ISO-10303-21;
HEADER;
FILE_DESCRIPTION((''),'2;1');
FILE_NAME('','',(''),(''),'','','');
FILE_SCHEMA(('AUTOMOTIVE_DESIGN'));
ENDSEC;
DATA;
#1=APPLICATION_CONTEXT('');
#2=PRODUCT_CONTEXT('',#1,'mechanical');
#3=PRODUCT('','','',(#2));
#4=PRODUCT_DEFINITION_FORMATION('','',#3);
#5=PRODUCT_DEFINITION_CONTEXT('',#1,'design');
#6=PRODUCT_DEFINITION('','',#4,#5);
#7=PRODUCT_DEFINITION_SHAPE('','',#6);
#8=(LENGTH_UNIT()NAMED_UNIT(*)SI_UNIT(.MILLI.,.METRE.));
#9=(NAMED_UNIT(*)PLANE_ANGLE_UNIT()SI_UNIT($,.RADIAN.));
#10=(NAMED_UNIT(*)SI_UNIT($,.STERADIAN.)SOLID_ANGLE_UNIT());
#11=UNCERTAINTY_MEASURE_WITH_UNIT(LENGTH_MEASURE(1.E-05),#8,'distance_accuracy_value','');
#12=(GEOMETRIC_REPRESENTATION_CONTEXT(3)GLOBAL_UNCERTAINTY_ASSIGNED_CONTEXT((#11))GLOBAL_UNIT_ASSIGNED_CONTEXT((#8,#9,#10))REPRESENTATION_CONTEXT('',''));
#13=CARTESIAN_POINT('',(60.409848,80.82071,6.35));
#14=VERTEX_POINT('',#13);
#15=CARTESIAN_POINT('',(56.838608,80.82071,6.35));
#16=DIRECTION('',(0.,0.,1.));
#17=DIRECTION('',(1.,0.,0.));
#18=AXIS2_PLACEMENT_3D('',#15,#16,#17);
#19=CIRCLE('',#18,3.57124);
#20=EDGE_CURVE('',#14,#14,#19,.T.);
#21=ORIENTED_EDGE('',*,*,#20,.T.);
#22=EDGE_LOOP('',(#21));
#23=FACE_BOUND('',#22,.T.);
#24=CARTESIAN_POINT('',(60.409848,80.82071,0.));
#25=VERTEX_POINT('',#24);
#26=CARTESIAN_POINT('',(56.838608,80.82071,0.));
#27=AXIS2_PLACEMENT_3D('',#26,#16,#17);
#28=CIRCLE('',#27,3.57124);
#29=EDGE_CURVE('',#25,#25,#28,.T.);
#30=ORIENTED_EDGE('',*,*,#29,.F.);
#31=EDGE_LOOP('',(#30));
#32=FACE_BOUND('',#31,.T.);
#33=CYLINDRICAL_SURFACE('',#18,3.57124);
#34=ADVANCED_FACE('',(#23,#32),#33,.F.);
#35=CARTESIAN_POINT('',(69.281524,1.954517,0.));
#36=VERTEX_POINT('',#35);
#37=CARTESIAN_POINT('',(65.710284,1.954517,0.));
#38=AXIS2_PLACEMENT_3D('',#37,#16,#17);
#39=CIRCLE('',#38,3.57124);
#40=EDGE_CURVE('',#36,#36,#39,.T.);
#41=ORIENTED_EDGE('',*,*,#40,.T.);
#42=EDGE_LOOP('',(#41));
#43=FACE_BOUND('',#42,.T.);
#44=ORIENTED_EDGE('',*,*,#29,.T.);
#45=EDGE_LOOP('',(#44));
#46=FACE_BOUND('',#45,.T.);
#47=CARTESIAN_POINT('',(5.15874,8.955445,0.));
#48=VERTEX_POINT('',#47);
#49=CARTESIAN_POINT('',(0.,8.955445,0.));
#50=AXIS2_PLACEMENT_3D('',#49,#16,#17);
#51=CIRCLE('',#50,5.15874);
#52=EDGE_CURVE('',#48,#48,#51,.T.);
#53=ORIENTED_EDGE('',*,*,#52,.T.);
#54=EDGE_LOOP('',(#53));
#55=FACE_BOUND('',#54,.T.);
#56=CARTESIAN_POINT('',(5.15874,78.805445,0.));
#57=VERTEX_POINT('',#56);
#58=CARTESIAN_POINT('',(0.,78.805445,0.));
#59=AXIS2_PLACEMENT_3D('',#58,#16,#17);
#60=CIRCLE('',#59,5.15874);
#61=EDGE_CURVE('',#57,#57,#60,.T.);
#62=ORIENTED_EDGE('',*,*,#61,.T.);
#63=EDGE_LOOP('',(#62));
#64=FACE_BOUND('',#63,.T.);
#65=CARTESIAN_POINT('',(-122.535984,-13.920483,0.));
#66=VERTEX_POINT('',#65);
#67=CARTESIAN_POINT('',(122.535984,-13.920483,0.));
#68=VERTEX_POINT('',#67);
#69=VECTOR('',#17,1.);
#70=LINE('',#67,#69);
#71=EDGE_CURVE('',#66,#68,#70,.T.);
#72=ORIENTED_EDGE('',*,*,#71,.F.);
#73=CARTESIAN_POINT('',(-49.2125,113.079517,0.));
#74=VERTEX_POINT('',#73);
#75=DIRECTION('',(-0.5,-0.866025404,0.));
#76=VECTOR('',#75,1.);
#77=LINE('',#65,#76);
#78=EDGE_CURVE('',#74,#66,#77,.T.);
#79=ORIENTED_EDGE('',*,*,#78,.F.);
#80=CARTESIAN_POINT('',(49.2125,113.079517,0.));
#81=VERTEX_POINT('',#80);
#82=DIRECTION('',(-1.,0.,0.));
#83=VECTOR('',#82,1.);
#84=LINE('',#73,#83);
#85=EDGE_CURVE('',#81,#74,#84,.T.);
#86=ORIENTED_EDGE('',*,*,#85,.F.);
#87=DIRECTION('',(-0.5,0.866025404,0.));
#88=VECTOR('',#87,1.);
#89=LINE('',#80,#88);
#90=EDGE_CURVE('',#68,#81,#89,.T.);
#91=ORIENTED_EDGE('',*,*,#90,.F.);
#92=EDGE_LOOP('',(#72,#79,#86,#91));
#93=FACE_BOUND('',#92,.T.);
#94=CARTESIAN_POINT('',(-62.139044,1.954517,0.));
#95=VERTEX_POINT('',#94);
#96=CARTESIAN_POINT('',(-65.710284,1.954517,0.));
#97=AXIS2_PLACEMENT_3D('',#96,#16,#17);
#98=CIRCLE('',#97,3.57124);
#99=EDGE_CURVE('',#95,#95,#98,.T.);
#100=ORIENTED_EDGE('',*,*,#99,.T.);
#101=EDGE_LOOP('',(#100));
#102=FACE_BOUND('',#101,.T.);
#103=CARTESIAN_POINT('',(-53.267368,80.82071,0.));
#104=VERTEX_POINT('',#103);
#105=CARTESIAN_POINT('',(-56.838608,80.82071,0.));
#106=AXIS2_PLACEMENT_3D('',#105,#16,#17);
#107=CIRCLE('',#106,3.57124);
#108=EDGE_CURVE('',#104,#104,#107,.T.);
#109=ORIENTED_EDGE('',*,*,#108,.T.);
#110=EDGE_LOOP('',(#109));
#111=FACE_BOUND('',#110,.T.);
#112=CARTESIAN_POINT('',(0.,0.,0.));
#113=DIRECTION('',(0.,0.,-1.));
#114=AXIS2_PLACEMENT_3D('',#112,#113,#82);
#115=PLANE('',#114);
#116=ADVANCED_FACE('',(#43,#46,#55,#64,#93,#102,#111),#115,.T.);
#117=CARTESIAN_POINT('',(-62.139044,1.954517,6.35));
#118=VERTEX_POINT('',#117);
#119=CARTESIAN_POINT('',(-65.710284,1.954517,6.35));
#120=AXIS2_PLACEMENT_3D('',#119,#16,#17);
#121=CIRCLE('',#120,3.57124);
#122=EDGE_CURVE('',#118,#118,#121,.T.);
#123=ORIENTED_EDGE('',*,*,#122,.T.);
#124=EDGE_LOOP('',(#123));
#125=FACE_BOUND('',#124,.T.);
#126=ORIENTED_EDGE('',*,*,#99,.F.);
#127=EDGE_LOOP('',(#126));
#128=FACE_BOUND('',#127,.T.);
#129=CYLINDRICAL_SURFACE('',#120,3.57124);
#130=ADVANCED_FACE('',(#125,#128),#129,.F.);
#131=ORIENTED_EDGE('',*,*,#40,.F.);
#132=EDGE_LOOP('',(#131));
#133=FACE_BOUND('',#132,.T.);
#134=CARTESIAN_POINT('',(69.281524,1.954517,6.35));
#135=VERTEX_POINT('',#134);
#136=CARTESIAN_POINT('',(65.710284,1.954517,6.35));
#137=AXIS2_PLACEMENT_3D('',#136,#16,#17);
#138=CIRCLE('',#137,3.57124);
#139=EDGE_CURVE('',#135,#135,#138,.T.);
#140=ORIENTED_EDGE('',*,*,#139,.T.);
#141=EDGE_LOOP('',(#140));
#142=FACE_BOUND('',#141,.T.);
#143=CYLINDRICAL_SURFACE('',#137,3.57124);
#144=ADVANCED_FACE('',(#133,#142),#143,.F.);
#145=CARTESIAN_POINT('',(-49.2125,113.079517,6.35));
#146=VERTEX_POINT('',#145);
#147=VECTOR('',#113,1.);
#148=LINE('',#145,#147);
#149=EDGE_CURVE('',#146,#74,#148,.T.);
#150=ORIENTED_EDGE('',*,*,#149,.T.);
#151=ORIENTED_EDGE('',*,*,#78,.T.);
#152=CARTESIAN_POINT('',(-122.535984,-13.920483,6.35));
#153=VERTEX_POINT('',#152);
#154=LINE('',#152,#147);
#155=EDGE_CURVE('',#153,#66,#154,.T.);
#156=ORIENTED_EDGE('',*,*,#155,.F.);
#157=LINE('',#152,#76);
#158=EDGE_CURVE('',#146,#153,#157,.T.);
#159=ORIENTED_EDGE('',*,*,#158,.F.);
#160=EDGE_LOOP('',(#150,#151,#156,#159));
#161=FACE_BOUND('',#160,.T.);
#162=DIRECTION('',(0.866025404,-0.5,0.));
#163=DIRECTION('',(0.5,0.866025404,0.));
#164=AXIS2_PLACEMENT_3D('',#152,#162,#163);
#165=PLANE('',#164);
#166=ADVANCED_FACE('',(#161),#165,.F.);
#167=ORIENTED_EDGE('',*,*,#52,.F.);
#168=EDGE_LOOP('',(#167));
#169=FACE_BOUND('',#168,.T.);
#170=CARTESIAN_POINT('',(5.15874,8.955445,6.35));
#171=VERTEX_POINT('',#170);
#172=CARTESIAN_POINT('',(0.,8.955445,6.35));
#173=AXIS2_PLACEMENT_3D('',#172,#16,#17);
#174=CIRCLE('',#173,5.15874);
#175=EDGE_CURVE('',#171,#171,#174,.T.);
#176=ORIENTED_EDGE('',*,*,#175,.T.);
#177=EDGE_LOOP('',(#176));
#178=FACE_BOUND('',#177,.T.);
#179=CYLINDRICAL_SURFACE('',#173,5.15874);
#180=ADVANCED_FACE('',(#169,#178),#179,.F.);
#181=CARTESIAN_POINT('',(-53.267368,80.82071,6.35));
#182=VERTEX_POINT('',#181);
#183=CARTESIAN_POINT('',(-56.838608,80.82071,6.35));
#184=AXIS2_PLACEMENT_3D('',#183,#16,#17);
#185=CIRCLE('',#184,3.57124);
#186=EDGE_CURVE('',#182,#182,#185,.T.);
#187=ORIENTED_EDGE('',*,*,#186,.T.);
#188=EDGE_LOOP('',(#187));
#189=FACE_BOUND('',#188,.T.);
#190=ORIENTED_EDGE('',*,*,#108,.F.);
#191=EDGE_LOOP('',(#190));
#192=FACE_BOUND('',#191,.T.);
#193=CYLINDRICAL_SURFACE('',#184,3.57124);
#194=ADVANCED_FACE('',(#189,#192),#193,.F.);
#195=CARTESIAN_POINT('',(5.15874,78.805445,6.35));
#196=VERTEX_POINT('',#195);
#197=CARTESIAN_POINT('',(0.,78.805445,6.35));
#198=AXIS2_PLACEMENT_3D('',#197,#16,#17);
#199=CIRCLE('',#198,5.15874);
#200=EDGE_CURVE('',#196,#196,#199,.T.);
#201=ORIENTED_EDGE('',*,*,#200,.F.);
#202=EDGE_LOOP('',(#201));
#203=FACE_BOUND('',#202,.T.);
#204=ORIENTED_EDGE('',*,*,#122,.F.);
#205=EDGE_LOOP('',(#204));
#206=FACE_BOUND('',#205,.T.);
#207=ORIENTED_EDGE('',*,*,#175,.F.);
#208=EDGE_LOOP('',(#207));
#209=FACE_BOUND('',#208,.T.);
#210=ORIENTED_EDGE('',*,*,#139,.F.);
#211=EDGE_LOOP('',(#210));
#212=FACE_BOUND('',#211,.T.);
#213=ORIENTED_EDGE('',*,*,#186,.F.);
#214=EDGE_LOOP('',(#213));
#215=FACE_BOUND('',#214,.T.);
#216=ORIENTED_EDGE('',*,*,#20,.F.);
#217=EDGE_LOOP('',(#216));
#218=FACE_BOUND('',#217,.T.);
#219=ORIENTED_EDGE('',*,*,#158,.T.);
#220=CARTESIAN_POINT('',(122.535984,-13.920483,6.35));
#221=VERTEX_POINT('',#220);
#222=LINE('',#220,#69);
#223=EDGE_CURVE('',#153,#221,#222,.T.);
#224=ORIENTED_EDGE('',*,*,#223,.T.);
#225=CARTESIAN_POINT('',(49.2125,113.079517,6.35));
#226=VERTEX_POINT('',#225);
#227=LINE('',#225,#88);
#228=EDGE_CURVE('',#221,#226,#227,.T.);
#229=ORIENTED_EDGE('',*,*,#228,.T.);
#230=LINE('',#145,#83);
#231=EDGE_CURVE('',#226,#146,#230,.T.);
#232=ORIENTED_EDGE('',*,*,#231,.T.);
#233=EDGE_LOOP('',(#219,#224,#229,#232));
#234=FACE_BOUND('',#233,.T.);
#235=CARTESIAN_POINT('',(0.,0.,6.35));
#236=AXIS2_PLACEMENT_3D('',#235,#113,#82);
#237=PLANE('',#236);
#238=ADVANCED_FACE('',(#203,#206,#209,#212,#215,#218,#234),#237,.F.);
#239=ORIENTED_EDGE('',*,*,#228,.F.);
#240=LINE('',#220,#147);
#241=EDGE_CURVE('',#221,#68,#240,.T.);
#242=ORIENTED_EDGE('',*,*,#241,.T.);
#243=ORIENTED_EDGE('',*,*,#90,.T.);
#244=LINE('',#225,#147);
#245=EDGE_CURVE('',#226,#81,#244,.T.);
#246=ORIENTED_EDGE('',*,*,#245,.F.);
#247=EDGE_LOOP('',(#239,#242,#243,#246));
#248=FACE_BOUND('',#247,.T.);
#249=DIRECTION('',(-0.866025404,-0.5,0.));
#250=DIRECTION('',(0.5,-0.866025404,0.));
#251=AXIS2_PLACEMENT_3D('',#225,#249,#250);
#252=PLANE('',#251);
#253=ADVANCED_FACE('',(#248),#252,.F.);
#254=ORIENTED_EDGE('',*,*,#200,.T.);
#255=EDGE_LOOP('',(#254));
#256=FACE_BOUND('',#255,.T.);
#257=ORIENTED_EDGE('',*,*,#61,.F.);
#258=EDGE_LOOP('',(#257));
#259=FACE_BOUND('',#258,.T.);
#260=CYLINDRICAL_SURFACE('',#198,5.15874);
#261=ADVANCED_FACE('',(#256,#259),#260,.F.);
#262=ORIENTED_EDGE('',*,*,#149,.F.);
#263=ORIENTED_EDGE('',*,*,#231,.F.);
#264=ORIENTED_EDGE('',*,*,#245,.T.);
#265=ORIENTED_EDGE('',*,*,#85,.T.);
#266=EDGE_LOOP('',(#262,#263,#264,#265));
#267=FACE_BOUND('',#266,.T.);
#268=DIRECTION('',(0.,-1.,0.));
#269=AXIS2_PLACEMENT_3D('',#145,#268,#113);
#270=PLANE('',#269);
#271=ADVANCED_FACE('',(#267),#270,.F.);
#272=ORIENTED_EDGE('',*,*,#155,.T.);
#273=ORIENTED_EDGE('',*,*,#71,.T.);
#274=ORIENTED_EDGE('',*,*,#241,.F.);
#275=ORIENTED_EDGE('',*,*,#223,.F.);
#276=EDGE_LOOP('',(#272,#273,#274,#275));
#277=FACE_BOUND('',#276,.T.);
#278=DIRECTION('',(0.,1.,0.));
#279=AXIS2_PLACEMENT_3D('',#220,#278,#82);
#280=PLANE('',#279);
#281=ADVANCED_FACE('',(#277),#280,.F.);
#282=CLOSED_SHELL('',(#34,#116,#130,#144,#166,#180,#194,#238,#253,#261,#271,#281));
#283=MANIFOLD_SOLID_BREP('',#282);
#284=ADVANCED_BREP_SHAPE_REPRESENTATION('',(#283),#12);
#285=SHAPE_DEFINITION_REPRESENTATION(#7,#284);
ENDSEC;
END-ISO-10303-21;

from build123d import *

# Parameters (mm, degrees)
BOSS_EXTRUDE1_DEPTH     = 6.35
F_3_8_CLEARANCE_HOLE1_D = 10.31748
F_1_4_CLEARANCE_HOLE1_D = 7.14248


with BuildPart() as part:
    # Sketch1 → Boss-Extrude1 (new body)
    with BuildSketch(Plane.XY):
        Polygon((-49.2125, 113.079516789), (49.2125, 113.079516789), (122.535984187, -13.920483211), (-122.535984187, -13.920483211), align=None)
    extrude(amount=BOSS_EXTRUDE1_DEPTH)

    # 3/8 Clearance Hole1 (through all)
    with Locations(Plane.XY.offset(6.35)):
        with Locations((0, 78.805444667), (0, 8.955444667)):
            Hole(F_3_8_CLEARANCE_HOLE1_D / 2)

    # 1/4 Clearance Hole1 (through all)
    with Locations(Plane.XY.offset(6.35)):
        with Locations((65.710283942, 1.954516789), (56.838608029, 80.820710219)):
            f_1_4_clearance_hole1 = Hole(F_1_4_CLEARANCE_HOLE1_D / 2)

    # Mirror1: 1/4 Clearance Hole1 across plane
    add(f_1_4_clearance_hole1.mirror(Plane(origin=(0, 0, 0), x_dir=(0, 0, 1), z_dir=(1, 0, 0))), mode=Mode.SUBTRACT)


solid = part.part
